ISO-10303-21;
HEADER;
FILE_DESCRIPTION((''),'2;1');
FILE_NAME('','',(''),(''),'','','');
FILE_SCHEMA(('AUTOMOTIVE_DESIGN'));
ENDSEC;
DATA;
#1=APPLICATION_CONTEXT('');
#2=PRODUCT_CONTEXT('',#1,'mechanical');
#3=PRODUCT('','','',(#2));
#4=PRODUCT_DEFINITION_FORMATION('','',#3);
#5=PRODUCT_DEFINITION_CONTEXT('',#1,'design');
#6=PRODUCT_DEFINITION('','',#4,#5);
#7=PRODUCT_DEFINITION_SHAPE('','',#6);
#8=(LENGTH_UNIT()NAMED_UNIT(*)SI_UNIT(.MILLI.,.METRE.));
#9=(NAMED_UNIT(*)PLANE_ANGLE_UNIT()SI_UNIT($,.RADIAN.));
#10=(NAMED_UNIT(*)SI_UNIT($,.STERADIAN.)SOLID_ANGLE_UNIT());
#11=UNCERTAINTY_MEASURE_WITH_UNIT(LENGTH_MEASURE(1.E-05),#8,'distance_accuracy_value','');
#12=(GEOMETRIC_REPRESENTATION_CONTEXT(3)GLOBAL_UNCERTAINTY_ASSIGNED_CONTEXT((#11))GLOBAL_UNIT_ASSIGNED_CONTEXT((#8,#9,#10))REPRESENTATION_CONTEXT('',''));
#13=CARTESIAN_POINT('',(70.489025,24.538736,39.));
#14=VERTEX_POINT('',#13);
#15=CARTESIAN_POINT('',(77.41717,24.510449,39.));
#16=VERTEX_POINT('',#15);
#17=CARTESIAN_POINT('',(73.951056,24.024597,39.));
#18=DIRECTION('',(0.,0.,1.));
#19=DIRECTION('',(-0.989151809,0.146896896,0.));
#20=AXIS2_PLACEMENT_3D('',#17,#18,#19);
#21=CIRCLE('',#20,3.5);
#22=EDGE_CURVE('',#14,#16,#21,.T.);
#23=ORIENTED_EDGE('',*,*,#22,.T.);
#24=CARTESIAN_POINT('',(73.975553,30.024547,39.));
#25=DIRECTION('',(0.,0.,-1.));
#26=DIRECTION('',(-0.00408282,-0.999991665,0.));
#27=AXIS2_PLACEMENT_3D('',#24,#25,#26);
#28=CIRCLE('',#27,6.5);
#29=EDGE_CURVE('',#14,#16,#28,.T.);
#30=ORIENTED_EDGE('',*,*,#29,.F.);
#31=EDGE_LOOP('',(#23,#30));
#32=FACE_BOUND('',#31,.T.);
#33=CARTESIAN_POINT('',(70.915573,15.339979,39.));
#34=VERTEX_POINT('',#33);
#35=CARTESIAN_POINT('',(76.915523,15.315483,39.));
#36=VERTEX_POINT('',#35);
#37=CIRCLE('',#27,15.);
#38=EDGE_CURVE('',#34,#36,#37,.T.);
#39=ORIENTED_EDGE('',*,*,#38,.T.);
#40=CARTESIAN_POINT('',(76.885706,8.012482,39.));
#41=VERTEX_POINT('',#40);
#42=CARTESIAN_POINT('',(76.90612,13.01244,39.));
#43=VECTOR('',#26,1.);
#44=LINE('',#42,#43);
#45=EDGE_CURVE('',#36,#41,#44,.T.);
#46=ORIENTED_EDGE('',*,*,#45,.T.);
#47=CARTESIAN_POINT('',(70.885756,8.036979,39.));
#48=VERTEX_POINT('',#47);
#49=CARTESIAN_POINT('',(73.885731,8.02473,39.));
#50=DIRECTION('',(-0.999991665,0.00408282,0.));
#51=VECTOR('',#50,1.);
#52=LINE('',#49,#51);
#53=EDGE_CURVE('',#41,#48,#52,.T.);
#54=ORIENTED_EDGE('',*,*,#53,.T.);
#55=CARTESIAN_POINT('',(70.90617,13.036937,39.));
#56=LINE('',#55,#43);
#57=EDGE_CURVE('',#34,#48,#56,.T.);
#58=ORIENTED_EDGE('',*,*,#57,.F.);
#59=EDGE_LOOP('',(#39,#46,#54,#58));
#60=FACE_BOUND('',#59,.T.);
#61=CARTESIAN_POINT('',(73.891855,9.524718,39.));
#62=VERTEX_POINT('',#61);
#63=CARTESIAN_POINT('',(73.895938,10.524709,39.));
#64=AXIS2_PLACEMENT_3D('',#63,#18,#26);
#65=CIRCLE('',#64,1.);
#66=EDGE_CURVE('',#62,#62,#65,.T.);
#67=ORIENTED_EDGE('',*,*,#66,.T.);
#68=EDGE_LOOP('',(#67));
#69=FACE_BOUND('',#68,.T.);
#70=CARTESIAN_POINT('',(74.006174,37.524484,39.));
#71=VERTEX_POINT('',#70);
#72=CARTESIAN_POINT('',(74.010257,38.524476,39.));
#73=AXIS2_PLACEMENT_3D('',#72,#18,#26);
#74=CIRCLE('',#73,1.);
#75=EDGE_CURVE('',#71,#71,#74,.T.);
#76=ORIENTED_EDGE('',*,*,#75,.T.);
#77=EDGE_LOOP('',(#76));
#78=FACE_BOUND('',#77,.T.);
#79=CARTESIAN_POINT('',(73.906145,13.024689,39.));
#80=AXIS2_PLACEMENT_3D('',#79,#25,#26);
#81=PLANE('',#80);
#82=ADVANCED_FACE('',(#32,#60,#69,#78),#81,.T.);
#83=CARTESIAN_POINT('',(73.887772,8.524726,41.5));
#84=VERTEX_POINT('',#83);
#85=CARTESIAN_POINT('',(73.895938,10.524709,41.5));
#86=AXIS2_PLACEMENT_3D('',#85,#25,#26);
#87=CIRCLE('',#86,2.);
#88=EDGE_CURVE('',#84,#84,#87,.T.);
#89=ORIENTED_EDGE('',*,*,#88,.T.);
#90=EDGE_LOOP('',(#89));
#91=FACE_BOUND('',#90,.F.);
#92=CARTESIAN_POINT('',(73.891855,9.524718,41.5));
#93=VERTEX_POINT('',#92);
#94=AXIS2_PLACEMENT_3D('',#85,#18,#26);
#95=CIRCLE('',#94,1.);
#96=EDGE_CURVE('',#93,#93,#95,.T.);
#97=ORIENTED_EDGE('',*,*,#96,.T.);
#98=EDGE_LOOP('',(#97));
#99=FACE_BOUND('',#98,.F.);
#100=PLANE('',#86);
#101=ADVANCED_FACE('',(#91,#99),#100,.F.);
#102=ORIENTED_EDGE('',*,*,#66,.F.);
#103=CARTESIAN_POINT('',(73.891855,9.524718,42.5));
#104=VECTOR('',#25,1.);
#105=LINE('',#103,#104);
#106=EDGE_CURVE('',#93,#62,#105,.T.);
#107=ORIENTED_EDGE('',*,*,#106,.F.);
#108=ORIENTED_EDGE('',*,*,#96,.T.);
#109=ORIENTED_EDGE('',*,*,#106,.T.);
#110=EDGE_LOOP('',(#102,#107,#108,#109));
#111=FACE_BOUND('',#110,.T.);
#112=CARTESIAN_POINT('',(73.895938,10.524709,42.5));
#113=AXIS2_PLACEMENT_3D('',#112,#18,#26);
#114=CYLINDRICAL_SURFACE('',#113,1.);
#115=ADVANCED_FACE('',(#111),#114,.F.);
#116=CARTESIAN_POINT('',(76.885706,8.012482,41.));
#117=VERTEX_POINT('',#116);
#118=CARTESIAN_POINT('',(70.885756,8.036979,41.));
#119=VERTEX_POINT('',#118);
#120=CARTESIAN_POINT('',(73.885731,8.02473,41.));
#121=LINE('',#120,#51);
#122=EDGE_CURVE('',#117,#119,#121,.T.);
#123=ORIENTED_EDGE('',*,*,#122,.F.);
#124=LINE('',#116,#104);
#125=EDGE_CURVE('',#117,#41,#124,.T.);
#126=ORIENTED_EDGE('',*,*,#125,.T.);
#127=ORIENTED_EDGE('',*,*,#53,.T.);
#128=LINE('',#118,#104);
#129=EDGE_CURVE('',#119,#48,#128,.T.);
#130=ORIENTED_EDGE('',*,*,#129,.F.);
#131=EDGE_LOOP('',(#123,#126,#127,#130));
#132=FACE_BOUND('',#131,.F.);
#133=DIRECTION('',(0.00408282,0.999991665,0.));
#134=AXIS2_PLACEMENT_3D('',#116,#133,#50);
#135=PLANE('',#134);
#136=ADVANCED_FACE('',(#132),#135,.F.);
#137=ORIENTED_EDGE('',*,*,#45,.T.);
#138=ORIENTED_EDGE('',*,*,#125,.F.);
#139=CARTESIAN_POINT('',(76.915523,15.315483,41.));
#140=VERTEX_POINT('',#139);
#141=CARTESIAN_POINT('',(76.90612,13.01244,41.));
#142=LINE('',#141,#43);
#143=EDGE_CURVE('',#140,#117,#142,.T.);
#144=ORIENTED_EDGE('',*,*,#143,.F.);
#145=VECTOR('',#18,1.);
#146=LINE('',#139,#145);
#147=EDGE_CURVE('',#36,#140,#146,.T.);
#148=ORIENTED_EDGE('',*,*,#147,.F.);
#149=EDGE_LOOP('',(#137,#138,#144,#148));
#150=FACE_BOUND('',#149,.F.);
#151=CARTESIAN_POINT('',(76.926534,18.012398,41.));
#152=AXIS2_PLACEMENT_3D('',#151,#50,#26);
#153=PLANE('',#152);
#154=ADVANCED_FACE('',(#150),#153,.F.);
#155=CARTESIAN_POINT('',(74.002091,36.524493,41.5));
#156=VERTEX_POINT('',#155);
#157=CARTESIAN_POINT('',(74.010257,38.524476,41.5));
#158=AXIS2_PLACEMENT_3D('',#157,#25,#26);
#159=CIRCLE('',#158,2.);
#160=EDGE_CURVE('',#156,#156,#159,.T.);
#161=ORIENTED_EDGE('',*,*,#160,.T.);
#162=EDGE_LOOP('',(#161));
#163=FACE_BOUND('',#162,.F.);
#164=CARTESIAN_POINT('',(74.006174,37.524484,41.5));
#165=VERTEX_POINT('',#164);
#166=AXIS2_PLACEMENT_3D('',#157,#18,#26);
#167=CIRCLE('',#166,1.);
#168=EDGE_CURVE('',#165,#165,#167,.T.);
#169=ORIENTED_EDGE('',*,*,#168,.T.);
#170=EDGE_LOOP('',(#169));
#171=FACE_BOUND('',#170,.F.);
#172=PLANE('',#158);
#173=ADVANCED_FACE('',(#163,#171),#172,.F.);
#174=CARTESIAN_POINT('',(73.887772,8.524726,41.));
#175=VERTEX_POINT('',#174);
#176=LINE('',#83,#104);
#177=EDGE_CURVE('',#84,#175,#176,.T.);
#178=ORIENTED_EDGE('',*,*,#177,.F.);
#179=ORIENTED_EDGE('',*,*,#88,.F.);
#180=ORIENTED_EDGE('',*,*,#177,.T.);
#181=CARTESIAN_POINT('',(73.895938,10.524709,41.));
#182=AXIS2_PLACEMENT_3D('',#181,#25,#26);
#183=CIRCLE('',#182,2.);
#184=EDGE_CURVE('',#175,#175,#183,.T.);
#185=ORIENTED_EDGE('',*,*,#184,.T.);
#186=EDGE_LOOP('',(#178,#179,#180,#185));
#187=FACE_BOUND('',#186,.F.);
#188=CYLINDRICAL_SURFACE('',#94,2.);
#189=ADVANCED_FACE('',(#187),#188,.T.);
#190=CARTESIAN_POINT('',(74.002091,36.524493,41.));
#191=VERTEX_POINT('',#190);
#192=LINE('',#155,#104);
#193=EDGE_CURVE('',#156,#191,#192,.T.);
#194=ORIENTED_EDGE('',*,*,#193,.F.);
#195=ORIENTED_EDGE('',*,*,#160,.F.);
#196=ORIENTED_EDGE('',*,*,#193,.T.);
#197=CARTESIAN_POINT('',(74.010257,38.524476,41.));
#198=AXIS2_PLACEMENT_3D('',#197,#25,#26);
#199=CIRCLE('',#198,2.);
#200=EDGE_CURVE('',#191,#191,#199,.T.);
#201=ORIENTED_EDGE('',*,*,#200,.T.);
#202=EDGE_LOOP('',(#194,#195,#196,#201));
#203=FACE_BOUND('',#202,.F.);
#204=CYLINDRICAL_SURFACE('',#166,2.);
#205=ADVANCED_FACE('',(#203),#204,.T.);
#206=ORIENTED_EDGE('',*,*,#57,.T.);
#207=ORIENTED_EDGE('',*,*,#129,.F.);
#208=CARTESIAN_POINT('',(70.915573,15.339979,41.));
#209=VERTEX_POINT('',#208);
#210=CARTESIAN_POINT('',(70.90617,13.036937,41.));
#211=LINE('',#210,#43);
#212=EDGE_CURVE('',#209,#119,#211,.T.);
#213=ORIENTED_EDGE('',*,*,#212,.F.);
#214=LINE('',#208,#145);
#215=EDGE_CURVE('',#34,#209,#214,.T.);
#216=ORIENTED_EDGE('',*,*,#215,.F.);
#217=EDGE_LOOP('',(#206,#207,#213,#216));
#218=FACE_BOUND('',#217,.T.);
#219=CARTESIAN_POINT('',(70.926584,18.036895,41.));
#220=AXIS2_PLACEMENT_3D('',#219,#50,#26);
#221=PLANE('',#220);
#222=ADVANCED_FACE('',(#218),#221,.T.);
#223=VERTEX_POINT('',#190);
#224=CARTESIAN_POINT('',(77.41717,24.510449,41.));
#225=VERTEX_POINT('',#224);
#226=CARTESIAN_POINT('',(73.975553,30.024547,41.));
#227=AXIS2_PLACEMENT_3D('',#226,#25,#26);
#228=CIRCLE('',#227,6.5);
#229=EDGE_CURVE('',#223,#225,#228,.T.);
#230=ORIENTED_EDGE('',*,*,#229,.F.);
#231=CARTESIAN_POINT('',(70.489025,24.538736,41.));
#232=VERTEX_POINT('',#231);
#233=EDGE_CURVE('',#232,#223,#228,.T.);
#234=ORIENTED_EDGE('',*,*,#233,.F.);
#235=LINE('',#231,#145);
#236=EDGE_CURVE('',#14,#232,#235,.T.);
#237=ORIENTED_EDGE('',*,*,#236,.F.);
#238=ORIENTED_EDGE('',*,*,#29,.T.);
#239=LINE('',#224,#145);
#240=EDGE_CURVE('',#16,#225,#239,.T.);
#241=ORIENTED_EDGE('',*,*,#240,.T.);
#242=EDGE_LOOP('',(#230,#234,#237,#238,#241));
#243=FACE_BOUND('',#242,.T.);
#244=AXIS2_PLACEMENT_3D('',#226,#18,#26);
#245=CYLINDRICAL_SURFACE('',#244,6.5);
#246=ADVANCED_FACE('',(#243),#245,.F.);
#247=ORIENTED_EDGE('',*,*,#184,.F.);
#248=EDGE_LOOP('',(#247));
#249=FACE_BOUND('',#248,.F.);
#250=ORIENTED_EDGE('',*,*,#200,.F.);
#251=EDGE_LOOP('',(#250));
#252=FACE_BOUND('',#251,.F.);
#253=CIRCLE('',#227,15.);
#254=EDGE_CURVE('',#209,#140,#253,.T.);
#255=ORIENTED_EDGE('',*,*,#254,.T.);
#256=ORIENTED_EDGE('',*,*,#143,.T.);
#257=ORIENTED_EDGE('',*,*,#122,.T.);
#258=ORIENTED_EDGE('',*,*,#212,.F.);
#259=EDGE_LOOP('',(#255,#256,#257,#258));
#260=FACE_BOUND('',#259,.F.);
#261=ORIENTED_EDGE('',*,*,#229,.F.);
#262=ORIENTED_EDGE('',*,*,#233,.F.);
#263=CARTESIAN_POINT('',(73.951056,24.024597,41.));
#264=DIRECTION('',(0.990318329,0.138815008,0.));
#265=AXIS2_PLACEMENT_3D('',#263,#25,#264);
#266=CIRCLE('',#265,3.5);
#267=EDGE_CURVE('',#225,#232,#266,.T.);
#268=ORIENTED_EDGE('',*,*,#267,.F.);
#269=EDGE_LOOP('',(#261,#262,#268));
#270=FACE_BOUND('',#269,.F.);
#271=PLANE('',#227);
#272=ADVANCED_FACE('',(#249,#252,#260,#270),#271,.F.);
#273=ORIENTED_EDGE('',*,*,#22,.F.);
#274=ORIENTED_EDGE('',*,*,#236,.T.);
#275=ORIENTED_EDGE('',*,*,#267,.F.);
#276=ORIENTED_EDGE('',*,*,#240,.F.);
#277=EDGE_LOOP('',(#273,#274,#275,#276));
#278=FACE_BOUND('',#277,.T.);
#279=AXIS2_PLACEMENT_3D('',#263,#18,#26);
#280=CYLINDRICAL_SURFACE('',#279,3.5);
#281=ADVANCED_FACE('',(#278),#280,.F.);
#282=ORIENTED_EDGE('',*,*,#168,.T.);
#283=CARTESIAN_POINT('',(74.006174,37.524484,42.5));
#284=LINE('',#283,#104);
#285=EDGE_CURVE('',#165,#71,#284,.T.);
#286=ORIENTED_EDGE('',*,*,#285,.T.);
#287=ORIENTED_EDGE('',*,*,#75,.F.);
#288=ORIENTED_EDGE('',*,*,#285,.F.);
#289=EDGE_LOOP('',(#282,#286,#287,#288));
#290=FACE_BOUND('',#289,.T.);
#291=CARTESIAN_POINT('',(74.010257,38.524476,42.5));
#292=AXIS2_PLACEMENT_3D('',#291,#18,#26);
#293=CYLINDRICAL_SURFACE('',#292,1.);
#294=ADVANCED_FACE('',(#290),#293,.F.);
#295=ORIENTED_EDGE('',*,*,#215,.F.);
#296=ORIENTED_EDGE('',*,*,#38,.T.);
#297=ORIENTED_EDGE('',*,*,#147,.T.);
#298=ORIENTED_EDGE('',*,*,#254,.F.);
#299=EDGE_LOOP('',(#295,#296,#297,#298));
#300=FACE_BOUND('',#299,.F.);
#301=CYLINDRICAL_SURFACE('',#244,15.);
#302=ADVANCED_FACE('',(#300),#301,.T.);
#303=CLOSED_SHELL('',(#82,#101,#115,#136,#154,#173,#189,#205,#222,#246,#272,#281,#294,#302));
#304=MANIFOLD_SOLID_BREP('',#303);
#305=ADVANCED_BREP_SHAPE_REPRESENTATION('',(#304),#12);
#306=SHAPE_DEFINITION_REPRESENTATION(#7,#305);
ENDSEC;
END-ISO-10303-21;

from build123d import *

# Parameters (mm, degrees)
CYLINDER003001001005001001_R     = 3.5
CYLINDER003001001005001001_DEPTH = 2
CYLINDER003001001004002_R        = 1
CYLINDER003001001004002_DEPTH    = 5
CYLINDER003001001004001001_R     = 1
CYLINDER003001001004001001_DEPTH = 5
CYLINDER003001001005001_R        = 6.5
CYLINDER003001001005001_DEPTH    = 2
BOX002_W                         = 10
BOX002_H                         = 6
BOX002_DEPTH                     = 2
CYLINDER003001001004_R           = 2
CYLINDER003001001004_DEPTH       = 0.5
CYLINDER003001001004001_R        = 2
CYLINDER003001001004001_DEPTH    = 0.5
CYLINDER003001001005_R           = 15
CYLINDER003001001005_DEPTH       = 2
CUT002_ROLL_ANGLE                = 180
CUT002_PLACEMENT_ANGLE           = -90.233929


with BuildPart() as cylinder013:
    # Cylinder003001001005001001 → Cylinder003001001005001001 (new body)
    with BuildSketch(Plane(origin=(12, 6, 21), x_dir=(1, 0, 0), z_dir=(0, 0, 1))):
        Circle(CYLINDER003001001005001001_R)
    extrude(amount=CYLINDER003001001005001001_DEPTH)


with BuildPart() as cylinder014:
    # Cylinder003001001004002 → Cylinder003001001004002 (new body)
    with BuildSketch(Plane(origin=(-2.5, 6, 19.5), x_dir=(1, 0, 0), z_dir=(0, 0, 1))):
        Circle(CYLINDER003001001004002_R)
    extrude(amount=CYLINDER003001001004002_DEPTH)


with BuildPart() as cylinder015:
    # Cylinder003001001004001001 → Cylinder003001001004001001 (new body)
    with BuildSketch(Plane(origin=(25.5, 6, 19.5), x_dir=(1, 0, 0), z_dir=(0, 0, 1))):
        Circle(CYLINDER003001001004001001_R)
    extrude(amount=CYLINDER003001001004001001_DEPTH)


with BuildPart() as fusion009:
    # Cylinder003001001005001 → Cylinder003001001005001 (new body)
    with BuildSketch(Plane(origin=(6, 6, 21), x_dir=(1, 0, 0), z_dir=(0, 0, 1))):
        Circle(CYLINDER003001001005001_R)
    extrude(amount=CYLINDER003001001005001_DEPTH)

    # Fusion009: union Cylinder013, Cylinder014, Cylinder015
    add(cylinder013.part)
    add(cylinder014.part)
    add(cylinder015.part)


with BuildPart() as box002:
    # Box002 → Box002 (new body)
    with BuildSketch(Plane(origin=(18, 3, 21), x_dir=(1, 0, 0), z_dir=(0, 0, 1))):
        with Locations((5, 3)):
            Rectangle(BOX002_W, BOX002_H)
    extrude(amount=BOX002_DEPTH)


with BuildPart() as cylinder003001001004:
    # Cylinder003001001004 → Cylinder003001001004 (new body)
    with BuildSketch(Plane(origin=(-2.5, 6, 20.5), x_dir=(1, 0, 0), z_dir=(0, 0, 1))):
        Circle(CYLINDER003001001004_R)
    extrude(amount=CYLINDER003001001004_DEPTH)


with BuildPart() as cylinder010:
    # Cylinder003001001004001 → Cylinder003001001004001 (new body)
    with BuildSketch(Plane(origin=(25.5, 6, 20.5), x_dir=(1, 0, 0), z_dir=(0, 0, 1))):
        Circle(CYLINDER003001001004001_R)
    extrude(amount=CYLINDER003001001004001_DEPTH)


with BuildPart() as guide1:
    # Cylinder003001001005 → Cylinder003001001005 (new body)
    with BuildSketch(Plane(origin=(6, 6, 21), x_dir=(1, 0, 0), z_dir=(0, 0, 1))):
        Circle(CYLINDER003001001005_R)
    extrude(amount=CYLINDER003001001005_DEPTH)

    # Fusion008: union Box002, Cylinder003001001004, Cylinder010
    add(box002.part)
    add(cylinder003001001004.part)
    add(cylinder010.part)

    # Cut002: cut Fusion009
    add(fusion009.part, mode=Mode.SUBTRACT)


with BuildPart() as guide1_1:
    # Cut002 roll: moved
    add(guide1.part.rotate(Axis((0, 0, 0), (1, 0, 0)), CUT002_ROLL_ANGLE))


with BuildPart() as guide1_2:
    # Cut002 placement: moved
    add(guide1_1.part.moved(Location((80, 36, 62))).rotate(Axis((80, 36, 62), (0, 0, 1)), CUT002_PLACEMENT_ANGLE))


solid = guide1_2.part
